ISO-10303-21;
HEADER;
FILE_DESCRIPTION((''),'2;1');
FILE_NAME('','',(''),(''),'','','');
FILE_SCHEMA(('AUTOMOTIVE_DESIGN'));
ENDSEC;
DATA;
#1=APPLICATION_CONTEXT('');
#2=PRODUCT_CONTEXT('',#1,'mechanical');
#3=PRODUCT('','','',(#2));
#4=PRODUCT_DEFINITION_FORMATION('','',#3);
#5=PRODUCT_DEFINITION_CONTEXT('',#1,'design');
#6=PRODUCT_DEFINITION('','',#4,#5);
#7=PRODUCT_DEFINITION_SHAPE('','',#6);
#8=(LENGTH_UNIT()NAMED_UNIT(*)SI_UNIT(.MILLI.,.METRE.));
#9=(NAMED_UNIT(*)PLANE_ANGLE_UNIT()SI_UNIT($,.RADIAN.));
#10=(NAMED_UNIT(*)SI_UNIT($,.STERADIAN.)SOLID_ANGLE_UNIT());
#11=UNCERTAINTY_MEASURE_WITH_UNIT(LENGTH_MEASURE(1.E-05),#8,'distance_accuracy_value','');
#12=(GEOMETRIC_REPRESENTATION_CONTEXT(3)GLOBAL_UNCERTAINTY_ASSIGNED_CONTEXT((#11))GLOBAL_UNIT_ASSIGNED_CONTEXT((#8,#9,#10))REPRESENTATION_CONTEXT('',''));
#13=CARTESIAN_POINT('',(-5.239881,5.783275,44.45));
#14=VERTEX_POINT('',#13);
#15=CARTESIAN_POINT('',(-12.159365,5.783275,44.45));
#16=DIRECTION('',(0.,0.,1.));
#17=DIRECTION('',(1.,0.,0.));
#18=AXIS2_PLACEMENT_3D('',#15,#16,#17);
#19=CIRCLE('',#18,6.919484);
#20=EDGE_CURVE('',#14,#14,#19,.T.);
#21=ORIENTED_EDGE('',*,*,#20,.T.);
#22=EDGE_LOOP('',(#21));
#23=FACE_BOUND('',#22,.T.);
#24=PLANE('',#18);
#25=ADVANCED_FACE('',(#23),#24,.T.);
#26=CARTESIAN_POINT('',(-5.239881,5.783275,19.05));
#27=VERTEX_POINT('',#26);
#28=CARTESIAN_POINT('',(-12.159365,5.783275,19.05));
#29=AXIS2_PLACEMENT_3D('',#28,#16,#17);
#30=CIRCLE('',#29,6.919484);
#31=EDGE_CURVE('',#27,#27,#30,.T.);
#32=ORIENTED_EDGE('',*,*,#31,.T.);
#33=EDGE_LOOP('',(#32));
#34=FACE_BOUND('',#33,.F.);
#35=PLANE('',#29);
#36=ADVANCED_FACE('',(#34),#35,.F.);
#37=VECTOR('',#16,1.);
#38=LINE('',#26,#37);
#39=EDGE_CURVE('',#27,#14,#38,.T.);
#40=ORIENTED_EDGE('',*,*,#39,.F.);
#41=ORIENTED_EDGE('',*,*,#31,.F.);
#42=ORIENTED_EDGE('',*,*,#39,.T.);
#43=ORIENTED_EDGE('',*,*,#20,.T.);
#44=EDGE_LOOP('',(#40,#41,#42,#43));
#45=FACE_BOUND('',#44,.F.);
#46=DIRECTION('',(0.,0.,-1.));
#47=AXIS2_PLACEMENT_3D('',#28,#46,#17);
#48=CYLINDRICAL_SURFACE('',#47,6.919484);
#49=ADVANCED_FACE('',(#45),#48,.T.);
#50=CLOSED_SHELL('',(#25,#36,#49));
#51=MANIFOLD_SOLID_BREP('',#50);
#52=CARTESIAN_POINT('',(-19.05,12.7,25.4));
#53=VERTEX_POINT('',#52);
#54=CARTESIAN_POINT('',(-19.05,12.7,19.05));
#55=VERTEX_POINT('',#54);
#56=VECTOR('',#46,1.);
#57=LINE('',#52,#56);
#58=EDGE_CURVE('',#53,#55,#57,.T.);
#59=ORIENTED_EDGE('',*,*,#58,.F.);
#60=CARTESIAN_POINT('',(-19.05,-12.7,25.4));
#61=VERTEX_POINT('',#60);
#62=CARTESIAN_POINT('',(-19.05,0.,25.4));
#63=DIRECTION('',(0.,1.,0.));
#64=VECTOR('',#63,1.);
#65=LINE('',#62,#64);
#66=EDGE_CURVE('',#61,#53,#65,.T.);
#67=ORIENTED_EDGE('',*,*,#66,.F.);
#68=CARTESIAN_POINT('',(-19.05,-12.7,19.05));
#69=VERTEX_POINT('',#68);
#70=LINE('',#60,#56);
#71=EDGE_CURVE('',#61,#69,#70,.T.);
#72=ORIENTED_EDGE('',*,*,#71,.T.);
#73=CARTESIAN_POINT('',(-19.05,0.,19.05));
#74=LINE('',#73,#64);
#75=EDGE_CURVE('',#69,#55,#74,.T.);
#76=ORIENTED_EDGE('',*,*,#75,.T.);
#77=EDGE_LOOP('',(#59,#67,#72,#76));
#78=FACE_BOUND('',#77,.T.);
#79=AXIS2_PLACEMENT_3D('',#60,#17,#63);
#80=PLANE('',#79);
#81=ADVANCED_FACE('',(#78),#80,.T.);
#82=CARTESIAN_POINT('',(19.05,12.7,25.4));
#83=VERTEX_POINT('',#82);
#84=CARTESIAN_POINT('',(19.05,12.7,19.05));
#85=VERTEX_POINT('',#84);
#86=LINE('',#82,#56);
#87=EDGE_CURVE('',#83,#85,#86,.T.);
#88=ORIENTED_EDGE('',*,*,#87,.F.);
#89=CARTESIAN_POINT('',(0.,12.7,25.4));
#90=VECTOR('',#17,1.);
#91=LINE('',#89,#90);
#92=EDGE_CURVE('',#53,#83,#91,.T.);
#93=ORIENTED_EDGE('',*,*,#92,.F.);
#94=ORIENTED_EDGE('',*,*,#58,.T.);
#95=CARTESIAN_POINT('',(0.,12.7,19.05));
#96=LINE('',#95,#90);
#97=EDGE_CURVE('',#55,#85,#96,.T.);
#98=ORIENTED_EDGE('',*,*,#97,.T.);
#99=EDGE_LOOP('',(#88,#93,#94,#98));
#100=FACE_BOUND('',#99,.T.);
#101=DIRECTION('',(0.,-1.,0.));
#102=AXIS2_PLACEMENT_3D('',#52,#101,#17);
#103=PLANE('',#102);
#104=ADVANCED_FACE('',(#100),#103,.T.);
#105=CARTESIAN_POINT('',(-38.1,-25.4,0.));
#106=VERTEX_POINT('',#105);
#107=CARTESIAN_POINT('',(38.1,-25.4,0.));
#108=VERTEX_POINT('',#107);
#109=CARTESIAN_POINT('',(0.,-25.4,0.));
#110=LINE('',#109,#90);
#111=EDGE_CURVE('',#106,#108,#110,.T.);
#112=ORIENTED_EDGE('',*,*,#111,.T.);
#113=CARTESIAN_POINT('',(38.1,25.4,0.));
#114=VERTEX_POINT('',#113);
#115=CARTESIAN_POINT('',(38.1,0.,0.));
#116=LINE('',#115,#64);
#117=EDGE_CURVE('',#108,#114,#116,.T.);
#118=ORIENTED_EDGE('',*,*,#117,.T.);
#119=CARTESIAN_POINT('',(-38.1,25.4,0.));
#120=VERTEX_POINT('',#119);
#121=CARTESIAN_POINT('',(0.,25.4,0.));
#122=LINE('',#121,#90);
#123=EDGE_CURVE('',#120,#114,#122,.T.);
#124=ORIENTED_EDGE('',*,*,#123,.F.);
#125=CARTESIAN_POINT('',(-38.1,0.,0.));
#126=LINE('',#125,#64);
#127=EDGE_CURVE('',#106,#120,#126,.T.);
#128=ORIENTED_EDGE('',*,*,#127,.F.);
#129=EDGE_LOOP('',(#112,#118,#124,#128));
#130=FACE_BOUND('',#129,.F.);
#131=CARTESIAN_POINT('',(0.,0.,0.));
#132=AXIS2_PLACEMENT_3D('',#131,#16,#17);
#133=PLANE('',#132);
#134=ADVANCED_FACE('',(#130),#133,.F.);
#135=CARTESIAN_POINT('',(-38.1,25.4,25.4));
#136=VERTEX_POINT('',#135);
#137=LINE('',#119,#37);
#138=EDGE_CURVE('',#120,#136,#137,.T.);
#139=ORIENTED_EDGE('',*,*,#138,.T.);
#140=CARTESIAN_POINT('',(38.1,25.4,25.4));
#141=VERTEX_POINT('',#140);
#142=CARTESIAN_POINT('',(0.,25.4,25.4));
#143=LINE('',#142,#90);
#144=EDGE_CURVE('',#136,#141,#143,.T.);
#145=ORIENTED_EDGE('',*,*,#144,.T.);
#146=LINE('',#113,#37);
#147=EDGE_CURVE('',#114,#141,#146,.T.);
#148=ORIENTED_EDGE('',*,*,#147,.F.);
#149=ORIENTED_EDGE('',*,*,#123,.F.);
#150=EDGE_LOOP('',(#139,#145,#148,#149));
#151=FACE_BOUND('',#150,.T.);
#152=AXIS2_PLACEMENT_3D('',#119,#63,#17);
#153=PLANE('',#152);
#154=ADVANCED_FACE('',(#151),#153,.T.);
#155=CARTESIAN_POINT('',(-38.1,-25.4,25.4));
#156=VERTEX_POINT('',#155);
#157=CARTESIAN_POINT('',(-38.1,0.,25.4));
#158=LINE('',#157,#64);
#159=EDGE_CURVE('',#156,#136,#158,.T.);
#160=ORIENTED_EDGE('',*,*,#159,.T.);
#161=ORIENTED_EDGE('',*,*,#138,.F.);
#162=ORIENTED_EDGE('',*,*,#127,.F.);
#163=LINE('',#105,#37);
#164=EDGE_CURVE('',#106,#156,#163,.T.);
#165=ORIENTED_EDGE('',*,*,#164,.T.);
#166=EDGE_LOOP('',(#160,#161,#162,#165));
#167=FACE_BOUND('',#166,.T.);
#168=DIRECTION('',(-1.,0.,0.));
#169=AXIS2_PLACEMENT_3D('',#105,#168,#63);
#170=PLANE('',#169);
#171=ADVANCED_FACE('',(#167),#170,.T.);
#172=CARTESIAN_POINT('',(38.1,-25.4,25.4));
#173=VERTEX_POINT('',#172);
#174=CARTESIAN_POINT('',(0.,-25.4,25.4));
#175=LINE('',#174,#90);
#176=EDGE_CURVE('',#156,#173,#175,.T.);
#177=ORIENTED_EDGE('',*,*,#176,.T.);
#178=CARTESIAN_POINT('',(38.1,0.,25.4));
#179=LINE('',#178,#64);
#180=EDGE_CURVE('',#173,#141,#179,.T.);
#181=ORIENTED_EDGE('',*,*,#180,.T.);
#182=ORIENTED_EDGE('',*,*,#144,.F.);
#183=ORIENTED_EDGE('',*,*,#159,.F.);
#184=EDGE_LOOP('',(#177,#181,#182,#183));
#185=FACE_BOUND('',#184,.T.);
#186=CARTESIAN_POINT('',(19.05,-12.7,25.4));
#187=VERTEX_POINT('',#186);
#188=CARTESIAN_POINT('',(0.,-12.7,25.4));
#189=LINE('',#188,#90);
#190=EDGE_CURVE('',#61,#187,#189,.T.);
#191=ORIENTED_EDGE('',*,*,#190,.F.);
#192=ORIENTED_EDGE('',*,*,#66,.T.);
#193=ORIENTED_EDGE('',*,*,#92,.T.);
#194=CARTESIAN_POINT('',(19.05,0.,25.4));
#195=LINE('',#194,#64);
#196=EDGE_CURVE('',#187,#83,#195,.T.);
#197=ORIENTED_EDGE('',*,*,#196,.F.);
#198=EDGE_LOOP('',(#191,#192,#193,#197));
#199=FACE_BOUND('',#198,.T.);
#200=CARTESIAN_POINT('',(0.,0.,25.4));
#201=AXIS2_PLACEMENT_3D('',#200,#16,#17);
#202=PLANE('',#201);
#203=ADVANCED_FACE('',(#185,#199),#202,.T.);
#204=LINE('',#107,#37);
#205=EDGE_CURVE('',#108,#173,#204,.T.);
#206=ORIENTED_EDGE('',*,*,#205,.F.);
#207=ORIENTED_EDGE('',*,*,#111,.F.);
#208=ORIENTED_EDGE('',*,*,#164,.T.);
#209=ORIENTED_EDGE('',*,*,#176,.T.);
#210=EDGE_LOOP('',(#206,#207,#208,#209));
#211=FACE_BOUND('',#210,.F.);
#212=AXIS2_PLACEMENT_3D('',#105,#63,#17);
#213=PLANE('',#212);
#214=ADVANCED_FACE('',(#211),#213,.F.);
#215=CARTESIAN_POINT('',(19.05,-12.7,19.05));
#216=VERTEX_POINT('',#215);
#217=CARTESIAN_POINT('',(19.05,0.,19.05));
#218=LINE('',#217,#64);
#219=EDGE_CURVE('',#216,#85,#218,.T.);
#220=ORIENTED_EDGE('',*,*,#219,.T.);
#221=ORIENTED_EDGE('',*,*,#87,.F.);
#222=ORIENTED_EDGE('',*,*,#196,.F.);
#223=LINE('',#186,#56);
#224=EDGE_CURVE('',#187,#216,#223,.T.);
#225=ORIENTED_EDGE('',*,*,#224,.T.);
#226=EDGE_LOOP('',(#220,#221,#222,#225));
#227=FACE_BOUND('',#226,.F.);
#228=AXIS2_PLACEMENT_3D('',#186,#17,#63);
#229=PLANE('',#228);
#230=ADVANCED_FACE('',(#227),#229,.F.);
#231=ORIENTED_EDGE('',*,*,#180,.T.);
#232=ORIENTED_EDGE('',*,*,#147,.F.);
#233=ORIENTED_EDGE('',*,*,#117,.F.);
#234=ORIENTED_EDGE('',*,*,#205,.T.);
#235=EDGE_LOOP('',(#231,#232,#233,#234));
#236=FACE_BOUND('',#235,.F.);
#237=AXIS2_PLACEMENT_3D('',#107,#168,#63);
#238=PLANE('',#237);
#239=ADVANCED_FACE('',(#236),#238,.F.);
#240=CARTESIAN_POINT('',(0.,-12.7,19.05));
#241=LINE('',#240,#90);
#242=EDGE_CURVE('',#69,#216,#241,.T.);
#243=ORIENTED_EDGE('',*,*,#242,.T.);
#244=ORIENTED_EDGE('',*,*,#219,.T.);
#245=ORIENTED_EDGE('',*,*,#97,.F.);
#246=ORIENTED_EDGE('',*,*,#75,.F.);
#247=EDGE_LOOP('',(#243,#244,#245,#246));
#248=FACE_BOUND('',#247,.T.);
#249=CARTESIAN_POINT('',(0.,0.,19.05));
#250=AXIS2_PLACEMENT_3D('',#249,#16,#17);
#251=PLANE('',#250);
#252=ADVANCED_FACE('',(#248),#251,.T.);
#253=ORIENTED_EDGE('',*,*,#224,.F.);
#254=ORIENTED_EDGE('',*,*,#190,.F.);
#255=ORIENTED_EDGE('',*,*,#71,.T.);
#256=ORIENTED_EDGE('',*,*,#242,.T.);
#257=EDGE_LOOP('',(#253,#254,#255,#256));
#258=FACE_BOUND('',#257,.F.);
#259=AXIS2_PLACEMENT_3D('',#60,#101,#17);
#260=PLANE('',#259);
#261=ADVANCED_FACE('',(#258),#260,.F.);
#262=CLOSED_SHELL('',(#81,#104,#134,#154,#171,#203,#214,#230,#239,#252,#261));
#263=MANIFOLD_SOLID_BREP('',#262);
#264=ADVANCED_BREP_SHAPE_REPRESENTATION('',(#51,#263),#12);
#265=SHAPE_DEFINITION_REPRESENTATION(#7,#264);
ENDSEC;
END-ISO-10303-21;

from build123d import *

# Parameters (mm, degrees)
F0_W     = 76.2
F0_H     = 50.8
F1_DEPTH = 25.4
F2_W     = 38.1
F2_H     = 25.4
F3_DEPTH = 6.35
F4_R     = 6.919484
F5_DEPTH = 25.4


with BuildPart() as f1:
    # F0 (on Top) → F1 (new body)
    with BuildSketch(Plane.XY):
        Rectangle(F0_W, F0_H)
    extrude(amount=F1_DEPTH)

    # F2 (on face) → F3 (cut)
    with BuildSketch(Plane.XY.offset(25.4)):
        Rectangle(F2_W, F2_H)
    extrude(amount=-F3_DEPTH, mode=Mode.SUBTRACT)


with BuildPart() as f5:
    # F4 (on face) → F5 (new body)
    with BuildSketch(Plane.XY.offset(19.05)):
        with Locations((-12.159365, 5.783275)):
            Circle(F4_R)
    extrude(amount=F5_DEPTH)


solid = Compound([f1.part, f5.part])
